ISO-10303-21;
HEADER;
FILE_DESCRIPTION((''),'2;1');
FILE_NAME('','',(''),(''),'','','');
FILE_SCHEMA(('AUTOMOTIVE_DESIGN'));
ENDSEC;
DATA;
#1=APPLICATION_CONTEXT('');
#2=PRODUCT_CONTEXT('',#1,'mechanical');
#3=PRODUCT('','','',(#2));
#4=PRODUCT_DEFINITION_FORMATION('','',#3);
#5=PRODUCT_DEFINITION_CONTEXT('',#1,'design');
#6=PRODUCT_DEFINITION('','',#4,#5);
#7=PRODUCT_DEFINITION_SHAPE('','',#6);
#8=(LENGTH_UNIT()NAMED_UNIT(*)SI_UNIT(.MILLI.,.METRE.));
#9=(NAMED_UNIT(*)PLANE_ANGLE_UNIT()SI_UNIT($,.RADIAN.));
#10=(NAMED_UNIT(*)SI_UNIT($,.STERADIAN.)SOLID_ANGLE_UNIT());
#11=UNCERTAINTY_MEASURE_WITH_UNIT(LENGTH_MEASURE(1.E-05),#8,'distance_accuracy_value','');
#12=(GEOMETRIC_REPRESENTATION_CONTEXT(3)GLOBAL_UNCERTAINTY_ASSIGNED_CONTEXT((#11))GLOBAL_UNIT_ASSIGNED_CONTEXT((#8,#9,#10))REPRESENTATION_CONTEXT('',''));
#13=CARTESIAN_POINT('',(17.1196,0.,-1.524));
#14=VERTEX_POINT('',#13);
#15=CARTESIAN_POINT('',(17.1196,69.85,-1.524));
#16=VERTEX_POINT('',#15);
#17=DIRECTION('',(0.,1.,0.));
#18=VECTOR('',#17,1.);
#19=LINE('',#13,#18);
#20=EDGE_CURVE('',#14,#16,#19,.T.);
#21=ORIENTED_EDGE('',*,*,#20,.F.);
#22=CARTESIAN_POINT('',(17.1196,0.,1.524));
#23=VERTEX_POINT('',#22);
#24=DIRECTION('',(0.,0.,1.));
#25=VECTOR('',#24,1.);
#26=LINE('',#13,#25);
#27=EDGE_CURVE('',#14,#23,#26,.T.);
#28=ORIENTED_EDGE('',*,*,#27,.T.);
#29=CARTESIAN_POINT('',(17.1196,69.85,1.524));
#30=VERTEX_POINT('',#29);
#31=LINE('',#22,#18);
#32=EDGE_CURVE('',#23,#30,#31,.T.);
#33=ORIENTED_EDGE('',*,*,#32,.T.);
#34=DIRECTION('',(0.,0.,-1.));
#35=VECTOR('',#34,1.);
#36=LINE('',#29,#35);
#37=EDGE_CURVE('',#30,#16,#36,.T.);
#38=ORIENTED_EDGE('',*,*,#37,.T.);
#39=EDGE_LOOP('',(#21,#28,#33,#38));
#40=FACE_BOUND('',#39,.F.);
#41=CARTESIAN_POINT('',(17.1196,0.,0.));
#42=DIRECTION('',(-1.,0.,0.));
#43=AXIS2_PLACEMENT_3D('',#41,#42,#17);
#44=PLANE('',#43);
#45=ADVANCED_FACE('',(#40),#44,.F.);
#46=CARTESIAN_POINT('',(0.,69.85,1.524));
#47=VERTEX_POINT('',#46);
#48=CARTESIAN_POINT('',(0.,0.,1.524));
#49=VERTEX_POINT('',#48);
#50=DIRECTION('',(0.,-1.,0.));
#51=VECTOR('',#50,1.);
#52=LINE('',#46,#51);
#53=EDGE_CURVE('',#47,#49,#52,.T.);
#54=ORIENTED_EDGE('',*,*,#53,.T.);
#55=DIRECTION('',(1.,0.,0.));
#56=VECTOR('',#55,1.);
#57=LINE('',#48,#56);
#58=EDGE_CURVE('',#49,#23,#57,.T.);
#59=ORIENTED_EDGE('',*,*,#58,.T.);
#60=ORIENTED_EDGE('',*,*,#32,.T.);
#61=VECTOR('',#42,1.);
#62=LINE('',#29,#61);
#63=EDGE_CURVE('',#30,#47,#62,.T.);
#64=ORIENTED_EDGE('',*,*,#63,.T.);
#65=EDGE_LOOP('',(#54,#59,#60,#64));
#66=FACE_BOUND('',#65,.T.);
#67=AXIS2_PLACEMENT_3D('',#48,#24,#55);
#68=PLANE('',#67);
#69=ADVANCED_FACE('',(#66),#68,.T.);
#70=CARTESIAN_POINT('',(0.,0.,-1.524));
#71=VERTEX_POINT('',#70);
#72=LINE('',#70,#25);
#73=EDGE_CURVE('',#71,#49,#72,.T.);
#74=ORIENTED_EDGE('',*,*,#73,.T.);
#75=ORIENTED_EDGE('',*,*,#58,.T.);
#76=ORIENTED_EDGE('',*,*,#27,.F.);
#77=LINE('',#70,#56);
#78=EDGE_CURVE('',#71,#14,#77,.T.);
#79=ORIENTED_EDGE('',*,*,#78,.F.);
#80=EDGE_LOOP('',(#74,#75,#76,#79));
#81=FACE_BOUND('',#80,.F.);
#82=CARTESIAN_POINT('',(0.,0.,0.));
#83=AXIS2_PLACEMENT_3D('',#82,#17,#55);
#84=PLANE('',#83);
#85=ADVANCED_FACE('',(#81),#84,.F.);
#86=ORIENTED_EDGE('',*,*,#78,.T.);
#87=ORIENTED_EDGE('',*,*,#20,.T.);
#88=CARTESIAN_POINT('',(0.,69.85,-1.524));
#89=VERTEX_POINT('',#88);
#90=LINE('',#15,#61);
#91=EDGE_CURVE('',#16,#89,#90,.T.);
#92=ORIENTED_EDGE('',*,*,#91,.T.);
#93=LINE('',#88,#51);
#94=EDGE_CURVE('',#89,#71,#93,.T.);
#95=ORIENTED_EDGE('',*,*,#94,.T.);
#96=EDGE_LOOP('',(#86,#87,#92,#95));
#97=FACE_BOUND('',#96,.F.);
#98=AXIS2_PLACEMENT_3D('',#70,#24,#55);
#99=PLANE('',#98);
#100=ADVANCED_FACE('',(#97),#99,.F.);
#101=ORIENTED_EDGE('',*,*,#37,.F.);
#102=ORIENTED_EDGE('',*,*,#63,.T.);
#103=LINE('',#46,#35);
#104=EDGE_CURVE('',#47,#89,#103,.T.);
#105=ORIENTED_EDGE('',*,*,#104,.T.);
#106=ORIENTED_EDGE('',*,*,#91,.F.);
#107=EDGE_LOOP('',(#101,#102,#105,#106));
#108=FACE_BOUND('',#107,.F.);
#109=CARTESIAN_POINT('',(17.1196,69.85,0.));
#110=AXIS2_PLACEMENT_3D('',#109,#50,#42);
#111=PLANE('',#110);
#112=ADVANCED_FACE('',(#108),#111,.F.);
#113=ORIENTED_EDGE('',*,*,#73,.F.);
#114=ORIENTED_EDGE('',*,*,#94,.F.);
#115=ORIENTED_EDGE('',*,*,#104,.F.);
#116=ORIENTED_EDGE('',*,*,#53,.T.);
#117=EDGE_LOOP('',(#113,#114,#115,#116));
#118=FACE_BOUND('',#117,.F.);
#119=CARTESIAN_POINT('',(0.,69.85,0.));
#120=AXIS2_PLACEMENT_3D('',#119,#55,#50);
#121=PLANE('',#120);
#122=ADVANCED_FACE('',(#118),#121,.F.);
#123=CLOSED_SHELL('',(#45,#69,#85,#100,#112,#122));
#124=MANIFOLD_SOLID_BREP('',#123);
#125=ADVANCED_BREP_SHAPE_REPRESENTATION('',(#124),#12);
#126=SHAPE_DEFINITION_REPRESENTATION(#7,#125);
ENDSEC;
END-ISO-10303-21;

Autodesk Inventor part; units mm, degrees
ref_plane "YZ Plane" through (0, 0, 0) normal (1, 0, 0) x (0, 1, 0)
ref_plane "XZ Plane" through (0, 0, 0) normal (0, 1, 0) x (-1, 0, 0)
ref_plane "XY Plane" through (0, 0, 0) normal (0, 0, 1) x (1, 0, 0)
sketch "Sketch1" plane through (0, 0, 0) normal (0, 0, 1) x (1, 0, 0)
  line L0 (0, 0) -> (17.1196, 0)
  line L1 (17.1196, 0) -> (17.1196, 69.85)
  line L2 (17.1196, 69.85) -> (0, 69.85)
  line L3 (0, 69.85) -> (0, 0)
  dimension "d0" = 17.1196
  dimension "d1" = 69.85
extrude "Extrusion1" add sketch "Sketch1" along normal mid plane 3.048
properties part number "A1-18002-100-53 Tube stop" material "Steel, Mild"
